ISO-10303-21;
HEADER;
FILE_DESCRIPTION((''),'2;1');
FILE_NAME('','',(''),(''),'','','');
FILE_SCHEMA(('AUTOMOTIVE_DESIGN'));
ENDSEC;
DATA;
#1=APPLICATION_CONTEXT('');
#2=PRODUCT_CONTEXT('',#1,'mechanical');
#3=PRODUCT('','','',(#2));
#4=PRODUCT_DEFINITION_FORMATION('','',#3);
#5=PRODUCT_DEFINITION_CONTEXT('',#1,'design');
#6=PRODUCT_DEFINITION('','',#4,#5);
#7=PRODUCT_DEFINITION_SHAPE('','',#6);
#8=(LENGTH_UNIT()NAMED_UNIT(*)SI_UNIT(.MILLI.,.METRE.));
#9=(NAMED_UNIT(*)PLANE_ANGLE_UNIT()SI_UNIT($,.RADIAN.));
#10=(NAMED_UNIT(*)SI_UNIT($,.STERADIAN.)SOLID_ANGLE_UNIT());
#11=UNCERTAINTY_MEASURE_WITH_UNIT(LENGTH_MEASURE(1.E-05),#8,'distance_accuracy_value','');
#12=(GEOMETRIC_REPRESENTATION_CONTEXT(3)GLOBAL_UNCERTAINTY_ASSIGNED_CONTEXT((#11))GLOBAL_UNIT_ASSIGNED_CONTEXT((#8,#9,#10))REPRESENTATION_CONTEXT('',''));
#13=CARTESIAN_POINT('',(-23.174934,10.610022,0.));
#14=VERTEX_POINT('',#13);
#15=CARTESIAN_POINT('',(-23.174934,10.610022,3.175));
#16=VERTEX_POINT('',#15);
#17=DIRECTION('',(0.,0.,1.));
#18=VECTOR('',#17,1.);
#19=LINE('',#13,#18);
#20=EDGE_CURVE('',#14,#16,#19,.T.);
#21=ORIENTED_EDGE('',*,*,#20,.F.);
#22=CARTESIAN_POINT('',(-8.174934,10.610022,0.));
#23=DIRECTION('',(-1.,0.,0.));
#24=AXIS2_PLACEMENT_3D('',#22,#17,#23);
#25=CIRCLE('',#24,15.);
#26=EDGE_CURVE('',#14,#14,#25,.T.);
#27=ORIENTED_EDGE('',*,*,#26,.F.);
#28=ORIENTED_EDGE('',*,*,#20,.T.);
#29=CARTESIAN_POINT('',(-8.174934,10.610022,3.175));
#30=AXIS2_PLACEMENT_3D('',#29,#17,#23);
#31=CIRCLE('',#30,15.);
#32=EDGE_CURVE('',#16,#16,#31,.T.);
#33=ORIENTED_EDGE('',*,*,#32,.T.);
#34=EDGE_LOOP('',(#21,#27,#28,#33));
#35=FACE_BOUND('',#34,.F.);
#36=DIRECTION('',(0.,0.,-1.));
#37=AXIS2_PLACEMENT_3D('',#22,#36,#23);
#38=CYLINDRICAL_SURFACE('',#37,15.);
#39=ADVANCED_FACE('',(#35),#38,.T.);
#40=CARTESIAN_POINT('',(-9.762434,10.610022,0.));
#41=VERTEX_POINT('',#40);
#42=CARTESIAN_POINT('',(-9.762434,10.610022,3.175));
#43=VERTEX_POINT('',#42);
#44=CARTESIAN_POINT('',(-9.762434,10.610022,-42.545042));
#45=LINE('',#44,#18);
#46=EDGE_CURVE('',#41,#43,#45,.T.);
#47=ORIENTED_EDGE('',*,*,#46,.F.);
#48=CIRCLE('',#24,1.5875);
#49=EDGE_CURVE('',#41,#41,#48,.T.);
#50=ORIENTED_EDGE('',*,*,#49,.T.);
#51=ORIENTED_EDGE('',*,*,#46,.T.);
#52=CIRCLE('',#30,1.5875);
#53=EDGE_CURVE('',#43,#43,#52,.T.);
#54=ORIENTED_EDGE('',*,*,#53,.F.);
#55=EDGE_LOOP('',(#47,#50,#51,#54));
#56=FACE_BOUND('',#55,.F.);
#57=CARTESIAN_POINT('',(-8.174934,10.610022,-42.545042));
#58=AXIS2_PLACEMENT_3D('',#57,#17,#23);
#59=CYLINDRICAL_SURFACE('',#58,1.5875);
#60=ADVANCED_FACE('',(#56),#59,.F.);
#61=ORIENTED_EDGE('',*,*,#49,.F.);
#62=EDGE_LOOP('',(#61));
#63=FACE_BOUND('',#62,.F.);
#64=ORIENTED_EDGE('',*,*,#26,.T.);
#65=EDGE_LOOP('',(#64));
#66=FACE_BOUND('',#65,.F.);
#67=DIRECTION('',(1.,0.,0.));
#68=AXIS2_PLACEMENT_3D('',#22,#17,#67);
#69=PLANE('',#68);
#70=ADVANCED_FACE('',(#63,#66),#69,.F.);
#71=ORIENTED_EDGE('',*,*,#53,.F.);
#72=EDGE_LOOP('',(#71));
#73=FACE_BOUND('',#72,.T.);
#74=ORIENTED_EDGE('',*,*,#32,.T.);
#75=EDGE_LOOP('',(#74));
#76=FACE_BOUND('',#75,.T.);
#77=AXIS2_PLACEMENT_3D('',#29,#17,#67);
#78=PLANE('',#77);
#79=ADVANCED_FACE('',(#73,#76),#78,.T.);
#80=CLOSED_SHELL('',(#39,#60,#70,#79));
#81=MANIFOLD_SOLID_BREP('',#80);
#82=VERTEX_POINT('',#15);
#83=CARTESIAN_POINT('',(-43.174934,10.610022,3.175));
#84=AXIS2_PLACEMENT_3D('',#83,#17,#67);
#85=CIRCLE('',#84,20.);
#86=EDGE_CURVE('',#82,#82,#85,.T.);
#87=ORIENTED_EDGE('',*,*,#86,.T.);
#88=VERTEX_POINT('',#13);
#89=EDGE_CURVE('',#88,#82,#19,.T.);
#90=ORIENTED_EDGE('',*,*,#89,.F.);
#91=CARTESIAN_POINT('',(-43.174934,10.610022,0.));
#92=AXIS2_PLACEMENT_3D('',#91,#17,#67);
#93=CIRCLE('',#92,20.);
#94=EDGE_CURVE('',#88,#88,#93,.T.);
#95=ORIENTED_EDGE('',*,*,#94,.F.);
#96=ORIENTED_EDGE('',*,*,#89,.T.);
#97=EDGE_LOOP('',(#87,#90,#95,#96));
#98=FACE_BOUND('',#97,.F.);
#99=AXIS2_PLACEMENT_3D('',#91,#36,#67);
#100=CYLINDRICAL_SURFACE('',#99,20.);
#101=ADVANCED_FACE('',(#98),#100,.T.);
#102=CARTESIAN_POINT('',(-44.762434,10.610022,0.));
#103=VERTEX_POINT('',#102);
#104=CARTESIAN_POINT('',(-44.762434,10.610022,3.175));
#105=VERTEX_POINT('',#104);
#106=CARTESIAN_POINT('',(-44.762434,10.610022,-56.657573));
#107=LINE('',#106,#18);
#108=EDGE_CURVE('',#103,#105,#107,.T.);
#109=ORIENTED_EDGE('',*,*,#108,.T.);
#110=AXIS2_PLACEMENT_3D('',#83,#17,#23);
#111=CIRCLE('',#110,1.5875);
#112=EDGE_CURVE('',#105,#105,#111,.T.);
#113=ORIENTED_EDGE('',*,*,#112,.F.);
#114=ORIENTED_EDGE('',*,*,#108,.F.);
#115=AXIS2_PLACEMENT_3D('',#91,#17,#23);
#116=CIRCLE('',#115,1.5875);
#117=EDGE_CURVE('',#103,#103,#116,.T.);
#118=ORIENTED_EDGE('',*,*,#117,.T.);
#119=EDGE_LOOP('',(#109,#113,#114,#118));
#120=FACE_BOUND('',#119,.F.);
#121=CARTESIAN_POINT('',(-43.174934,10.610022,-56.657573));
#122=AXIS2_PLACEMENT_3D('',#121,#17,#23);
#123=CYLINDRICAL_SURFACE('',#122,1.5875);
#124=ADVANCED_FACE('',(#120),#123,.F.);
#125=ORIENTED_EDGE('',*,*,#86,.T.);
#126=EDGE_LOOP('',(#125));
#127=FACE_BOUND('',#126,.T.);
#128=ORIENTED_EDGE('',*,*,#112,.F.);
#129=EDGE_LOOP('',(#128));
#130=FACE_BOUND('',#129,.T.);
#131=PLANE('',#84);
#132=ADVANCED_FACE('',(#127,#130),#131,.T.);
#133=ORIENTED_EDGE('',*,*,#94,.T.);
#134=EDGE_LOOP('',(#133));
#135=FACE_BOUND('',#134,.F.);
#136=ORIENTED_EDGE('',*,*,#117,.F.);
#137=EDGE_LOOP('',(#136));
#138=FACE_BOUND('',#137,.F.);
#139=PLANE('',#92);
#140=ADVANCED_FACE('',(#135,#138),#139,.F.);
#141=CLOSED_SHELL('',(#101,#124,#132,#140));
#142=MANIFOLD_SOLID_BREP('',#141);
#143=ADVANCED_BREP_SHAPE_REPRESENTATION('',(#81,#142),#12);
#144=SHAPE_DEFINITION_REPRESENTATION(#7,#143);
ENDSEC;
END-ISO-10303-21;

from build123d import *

# Parameters (mm, degrees)
F0_R     = 20
F1_DEPTH = 3.175
F2_D     = 3.175
F2_2_D   = 3.175


with BuildPart() as f1:
    # F0 (on Top) → F1 (new body)
    with BuildSketch(Plane.XY):
        with Locations((-43.1749344245, 10.6100216508)):
            Circle(F0_R)
    extrude(amount=F1_DEPTH)

    # F2 (through all)
    with Locations(Plane(origin=(0, 0, 0), x_dir=(1, 0, 0), z_dir=(0, 0, -1))):
        with Locations((-43.1749344245, -10.6100216508), (-8.1749344245, -10.6100216508)):
            Hole(F2_D / 2)


with BuildPart() as f1b:
    # F0 (on Top) → F1, piece 2 (new body)
    with BuildSketch(Plane.XY):
        with BuildLine():
            ThreePointArc((6.8250655755, 10.6100216508), (-8.1749344245, 25.6100216508), (-23.1749344245, 10.6100216508))
            ThreePointArc((-23.1749344245, 10.6100216508), (-8.1749344245, -4.3899783492), (6.8250655755, 10.6100216508))
        make_face()
    extrude(amount=F1_DEPTH)

    # F2#2 (through all)
    with Locations(Plane(origin=(0, 0, 0), x_dir=(1, 0, 0), z_dir=(0, 0, -1))):
        with Locations((-43.1749344245, -10.6100216508), (-8.1749344245, -10.6100216508)):
            Hole(F2_2_D / 2)


solid = Compound([f1.part, f1b.part])
